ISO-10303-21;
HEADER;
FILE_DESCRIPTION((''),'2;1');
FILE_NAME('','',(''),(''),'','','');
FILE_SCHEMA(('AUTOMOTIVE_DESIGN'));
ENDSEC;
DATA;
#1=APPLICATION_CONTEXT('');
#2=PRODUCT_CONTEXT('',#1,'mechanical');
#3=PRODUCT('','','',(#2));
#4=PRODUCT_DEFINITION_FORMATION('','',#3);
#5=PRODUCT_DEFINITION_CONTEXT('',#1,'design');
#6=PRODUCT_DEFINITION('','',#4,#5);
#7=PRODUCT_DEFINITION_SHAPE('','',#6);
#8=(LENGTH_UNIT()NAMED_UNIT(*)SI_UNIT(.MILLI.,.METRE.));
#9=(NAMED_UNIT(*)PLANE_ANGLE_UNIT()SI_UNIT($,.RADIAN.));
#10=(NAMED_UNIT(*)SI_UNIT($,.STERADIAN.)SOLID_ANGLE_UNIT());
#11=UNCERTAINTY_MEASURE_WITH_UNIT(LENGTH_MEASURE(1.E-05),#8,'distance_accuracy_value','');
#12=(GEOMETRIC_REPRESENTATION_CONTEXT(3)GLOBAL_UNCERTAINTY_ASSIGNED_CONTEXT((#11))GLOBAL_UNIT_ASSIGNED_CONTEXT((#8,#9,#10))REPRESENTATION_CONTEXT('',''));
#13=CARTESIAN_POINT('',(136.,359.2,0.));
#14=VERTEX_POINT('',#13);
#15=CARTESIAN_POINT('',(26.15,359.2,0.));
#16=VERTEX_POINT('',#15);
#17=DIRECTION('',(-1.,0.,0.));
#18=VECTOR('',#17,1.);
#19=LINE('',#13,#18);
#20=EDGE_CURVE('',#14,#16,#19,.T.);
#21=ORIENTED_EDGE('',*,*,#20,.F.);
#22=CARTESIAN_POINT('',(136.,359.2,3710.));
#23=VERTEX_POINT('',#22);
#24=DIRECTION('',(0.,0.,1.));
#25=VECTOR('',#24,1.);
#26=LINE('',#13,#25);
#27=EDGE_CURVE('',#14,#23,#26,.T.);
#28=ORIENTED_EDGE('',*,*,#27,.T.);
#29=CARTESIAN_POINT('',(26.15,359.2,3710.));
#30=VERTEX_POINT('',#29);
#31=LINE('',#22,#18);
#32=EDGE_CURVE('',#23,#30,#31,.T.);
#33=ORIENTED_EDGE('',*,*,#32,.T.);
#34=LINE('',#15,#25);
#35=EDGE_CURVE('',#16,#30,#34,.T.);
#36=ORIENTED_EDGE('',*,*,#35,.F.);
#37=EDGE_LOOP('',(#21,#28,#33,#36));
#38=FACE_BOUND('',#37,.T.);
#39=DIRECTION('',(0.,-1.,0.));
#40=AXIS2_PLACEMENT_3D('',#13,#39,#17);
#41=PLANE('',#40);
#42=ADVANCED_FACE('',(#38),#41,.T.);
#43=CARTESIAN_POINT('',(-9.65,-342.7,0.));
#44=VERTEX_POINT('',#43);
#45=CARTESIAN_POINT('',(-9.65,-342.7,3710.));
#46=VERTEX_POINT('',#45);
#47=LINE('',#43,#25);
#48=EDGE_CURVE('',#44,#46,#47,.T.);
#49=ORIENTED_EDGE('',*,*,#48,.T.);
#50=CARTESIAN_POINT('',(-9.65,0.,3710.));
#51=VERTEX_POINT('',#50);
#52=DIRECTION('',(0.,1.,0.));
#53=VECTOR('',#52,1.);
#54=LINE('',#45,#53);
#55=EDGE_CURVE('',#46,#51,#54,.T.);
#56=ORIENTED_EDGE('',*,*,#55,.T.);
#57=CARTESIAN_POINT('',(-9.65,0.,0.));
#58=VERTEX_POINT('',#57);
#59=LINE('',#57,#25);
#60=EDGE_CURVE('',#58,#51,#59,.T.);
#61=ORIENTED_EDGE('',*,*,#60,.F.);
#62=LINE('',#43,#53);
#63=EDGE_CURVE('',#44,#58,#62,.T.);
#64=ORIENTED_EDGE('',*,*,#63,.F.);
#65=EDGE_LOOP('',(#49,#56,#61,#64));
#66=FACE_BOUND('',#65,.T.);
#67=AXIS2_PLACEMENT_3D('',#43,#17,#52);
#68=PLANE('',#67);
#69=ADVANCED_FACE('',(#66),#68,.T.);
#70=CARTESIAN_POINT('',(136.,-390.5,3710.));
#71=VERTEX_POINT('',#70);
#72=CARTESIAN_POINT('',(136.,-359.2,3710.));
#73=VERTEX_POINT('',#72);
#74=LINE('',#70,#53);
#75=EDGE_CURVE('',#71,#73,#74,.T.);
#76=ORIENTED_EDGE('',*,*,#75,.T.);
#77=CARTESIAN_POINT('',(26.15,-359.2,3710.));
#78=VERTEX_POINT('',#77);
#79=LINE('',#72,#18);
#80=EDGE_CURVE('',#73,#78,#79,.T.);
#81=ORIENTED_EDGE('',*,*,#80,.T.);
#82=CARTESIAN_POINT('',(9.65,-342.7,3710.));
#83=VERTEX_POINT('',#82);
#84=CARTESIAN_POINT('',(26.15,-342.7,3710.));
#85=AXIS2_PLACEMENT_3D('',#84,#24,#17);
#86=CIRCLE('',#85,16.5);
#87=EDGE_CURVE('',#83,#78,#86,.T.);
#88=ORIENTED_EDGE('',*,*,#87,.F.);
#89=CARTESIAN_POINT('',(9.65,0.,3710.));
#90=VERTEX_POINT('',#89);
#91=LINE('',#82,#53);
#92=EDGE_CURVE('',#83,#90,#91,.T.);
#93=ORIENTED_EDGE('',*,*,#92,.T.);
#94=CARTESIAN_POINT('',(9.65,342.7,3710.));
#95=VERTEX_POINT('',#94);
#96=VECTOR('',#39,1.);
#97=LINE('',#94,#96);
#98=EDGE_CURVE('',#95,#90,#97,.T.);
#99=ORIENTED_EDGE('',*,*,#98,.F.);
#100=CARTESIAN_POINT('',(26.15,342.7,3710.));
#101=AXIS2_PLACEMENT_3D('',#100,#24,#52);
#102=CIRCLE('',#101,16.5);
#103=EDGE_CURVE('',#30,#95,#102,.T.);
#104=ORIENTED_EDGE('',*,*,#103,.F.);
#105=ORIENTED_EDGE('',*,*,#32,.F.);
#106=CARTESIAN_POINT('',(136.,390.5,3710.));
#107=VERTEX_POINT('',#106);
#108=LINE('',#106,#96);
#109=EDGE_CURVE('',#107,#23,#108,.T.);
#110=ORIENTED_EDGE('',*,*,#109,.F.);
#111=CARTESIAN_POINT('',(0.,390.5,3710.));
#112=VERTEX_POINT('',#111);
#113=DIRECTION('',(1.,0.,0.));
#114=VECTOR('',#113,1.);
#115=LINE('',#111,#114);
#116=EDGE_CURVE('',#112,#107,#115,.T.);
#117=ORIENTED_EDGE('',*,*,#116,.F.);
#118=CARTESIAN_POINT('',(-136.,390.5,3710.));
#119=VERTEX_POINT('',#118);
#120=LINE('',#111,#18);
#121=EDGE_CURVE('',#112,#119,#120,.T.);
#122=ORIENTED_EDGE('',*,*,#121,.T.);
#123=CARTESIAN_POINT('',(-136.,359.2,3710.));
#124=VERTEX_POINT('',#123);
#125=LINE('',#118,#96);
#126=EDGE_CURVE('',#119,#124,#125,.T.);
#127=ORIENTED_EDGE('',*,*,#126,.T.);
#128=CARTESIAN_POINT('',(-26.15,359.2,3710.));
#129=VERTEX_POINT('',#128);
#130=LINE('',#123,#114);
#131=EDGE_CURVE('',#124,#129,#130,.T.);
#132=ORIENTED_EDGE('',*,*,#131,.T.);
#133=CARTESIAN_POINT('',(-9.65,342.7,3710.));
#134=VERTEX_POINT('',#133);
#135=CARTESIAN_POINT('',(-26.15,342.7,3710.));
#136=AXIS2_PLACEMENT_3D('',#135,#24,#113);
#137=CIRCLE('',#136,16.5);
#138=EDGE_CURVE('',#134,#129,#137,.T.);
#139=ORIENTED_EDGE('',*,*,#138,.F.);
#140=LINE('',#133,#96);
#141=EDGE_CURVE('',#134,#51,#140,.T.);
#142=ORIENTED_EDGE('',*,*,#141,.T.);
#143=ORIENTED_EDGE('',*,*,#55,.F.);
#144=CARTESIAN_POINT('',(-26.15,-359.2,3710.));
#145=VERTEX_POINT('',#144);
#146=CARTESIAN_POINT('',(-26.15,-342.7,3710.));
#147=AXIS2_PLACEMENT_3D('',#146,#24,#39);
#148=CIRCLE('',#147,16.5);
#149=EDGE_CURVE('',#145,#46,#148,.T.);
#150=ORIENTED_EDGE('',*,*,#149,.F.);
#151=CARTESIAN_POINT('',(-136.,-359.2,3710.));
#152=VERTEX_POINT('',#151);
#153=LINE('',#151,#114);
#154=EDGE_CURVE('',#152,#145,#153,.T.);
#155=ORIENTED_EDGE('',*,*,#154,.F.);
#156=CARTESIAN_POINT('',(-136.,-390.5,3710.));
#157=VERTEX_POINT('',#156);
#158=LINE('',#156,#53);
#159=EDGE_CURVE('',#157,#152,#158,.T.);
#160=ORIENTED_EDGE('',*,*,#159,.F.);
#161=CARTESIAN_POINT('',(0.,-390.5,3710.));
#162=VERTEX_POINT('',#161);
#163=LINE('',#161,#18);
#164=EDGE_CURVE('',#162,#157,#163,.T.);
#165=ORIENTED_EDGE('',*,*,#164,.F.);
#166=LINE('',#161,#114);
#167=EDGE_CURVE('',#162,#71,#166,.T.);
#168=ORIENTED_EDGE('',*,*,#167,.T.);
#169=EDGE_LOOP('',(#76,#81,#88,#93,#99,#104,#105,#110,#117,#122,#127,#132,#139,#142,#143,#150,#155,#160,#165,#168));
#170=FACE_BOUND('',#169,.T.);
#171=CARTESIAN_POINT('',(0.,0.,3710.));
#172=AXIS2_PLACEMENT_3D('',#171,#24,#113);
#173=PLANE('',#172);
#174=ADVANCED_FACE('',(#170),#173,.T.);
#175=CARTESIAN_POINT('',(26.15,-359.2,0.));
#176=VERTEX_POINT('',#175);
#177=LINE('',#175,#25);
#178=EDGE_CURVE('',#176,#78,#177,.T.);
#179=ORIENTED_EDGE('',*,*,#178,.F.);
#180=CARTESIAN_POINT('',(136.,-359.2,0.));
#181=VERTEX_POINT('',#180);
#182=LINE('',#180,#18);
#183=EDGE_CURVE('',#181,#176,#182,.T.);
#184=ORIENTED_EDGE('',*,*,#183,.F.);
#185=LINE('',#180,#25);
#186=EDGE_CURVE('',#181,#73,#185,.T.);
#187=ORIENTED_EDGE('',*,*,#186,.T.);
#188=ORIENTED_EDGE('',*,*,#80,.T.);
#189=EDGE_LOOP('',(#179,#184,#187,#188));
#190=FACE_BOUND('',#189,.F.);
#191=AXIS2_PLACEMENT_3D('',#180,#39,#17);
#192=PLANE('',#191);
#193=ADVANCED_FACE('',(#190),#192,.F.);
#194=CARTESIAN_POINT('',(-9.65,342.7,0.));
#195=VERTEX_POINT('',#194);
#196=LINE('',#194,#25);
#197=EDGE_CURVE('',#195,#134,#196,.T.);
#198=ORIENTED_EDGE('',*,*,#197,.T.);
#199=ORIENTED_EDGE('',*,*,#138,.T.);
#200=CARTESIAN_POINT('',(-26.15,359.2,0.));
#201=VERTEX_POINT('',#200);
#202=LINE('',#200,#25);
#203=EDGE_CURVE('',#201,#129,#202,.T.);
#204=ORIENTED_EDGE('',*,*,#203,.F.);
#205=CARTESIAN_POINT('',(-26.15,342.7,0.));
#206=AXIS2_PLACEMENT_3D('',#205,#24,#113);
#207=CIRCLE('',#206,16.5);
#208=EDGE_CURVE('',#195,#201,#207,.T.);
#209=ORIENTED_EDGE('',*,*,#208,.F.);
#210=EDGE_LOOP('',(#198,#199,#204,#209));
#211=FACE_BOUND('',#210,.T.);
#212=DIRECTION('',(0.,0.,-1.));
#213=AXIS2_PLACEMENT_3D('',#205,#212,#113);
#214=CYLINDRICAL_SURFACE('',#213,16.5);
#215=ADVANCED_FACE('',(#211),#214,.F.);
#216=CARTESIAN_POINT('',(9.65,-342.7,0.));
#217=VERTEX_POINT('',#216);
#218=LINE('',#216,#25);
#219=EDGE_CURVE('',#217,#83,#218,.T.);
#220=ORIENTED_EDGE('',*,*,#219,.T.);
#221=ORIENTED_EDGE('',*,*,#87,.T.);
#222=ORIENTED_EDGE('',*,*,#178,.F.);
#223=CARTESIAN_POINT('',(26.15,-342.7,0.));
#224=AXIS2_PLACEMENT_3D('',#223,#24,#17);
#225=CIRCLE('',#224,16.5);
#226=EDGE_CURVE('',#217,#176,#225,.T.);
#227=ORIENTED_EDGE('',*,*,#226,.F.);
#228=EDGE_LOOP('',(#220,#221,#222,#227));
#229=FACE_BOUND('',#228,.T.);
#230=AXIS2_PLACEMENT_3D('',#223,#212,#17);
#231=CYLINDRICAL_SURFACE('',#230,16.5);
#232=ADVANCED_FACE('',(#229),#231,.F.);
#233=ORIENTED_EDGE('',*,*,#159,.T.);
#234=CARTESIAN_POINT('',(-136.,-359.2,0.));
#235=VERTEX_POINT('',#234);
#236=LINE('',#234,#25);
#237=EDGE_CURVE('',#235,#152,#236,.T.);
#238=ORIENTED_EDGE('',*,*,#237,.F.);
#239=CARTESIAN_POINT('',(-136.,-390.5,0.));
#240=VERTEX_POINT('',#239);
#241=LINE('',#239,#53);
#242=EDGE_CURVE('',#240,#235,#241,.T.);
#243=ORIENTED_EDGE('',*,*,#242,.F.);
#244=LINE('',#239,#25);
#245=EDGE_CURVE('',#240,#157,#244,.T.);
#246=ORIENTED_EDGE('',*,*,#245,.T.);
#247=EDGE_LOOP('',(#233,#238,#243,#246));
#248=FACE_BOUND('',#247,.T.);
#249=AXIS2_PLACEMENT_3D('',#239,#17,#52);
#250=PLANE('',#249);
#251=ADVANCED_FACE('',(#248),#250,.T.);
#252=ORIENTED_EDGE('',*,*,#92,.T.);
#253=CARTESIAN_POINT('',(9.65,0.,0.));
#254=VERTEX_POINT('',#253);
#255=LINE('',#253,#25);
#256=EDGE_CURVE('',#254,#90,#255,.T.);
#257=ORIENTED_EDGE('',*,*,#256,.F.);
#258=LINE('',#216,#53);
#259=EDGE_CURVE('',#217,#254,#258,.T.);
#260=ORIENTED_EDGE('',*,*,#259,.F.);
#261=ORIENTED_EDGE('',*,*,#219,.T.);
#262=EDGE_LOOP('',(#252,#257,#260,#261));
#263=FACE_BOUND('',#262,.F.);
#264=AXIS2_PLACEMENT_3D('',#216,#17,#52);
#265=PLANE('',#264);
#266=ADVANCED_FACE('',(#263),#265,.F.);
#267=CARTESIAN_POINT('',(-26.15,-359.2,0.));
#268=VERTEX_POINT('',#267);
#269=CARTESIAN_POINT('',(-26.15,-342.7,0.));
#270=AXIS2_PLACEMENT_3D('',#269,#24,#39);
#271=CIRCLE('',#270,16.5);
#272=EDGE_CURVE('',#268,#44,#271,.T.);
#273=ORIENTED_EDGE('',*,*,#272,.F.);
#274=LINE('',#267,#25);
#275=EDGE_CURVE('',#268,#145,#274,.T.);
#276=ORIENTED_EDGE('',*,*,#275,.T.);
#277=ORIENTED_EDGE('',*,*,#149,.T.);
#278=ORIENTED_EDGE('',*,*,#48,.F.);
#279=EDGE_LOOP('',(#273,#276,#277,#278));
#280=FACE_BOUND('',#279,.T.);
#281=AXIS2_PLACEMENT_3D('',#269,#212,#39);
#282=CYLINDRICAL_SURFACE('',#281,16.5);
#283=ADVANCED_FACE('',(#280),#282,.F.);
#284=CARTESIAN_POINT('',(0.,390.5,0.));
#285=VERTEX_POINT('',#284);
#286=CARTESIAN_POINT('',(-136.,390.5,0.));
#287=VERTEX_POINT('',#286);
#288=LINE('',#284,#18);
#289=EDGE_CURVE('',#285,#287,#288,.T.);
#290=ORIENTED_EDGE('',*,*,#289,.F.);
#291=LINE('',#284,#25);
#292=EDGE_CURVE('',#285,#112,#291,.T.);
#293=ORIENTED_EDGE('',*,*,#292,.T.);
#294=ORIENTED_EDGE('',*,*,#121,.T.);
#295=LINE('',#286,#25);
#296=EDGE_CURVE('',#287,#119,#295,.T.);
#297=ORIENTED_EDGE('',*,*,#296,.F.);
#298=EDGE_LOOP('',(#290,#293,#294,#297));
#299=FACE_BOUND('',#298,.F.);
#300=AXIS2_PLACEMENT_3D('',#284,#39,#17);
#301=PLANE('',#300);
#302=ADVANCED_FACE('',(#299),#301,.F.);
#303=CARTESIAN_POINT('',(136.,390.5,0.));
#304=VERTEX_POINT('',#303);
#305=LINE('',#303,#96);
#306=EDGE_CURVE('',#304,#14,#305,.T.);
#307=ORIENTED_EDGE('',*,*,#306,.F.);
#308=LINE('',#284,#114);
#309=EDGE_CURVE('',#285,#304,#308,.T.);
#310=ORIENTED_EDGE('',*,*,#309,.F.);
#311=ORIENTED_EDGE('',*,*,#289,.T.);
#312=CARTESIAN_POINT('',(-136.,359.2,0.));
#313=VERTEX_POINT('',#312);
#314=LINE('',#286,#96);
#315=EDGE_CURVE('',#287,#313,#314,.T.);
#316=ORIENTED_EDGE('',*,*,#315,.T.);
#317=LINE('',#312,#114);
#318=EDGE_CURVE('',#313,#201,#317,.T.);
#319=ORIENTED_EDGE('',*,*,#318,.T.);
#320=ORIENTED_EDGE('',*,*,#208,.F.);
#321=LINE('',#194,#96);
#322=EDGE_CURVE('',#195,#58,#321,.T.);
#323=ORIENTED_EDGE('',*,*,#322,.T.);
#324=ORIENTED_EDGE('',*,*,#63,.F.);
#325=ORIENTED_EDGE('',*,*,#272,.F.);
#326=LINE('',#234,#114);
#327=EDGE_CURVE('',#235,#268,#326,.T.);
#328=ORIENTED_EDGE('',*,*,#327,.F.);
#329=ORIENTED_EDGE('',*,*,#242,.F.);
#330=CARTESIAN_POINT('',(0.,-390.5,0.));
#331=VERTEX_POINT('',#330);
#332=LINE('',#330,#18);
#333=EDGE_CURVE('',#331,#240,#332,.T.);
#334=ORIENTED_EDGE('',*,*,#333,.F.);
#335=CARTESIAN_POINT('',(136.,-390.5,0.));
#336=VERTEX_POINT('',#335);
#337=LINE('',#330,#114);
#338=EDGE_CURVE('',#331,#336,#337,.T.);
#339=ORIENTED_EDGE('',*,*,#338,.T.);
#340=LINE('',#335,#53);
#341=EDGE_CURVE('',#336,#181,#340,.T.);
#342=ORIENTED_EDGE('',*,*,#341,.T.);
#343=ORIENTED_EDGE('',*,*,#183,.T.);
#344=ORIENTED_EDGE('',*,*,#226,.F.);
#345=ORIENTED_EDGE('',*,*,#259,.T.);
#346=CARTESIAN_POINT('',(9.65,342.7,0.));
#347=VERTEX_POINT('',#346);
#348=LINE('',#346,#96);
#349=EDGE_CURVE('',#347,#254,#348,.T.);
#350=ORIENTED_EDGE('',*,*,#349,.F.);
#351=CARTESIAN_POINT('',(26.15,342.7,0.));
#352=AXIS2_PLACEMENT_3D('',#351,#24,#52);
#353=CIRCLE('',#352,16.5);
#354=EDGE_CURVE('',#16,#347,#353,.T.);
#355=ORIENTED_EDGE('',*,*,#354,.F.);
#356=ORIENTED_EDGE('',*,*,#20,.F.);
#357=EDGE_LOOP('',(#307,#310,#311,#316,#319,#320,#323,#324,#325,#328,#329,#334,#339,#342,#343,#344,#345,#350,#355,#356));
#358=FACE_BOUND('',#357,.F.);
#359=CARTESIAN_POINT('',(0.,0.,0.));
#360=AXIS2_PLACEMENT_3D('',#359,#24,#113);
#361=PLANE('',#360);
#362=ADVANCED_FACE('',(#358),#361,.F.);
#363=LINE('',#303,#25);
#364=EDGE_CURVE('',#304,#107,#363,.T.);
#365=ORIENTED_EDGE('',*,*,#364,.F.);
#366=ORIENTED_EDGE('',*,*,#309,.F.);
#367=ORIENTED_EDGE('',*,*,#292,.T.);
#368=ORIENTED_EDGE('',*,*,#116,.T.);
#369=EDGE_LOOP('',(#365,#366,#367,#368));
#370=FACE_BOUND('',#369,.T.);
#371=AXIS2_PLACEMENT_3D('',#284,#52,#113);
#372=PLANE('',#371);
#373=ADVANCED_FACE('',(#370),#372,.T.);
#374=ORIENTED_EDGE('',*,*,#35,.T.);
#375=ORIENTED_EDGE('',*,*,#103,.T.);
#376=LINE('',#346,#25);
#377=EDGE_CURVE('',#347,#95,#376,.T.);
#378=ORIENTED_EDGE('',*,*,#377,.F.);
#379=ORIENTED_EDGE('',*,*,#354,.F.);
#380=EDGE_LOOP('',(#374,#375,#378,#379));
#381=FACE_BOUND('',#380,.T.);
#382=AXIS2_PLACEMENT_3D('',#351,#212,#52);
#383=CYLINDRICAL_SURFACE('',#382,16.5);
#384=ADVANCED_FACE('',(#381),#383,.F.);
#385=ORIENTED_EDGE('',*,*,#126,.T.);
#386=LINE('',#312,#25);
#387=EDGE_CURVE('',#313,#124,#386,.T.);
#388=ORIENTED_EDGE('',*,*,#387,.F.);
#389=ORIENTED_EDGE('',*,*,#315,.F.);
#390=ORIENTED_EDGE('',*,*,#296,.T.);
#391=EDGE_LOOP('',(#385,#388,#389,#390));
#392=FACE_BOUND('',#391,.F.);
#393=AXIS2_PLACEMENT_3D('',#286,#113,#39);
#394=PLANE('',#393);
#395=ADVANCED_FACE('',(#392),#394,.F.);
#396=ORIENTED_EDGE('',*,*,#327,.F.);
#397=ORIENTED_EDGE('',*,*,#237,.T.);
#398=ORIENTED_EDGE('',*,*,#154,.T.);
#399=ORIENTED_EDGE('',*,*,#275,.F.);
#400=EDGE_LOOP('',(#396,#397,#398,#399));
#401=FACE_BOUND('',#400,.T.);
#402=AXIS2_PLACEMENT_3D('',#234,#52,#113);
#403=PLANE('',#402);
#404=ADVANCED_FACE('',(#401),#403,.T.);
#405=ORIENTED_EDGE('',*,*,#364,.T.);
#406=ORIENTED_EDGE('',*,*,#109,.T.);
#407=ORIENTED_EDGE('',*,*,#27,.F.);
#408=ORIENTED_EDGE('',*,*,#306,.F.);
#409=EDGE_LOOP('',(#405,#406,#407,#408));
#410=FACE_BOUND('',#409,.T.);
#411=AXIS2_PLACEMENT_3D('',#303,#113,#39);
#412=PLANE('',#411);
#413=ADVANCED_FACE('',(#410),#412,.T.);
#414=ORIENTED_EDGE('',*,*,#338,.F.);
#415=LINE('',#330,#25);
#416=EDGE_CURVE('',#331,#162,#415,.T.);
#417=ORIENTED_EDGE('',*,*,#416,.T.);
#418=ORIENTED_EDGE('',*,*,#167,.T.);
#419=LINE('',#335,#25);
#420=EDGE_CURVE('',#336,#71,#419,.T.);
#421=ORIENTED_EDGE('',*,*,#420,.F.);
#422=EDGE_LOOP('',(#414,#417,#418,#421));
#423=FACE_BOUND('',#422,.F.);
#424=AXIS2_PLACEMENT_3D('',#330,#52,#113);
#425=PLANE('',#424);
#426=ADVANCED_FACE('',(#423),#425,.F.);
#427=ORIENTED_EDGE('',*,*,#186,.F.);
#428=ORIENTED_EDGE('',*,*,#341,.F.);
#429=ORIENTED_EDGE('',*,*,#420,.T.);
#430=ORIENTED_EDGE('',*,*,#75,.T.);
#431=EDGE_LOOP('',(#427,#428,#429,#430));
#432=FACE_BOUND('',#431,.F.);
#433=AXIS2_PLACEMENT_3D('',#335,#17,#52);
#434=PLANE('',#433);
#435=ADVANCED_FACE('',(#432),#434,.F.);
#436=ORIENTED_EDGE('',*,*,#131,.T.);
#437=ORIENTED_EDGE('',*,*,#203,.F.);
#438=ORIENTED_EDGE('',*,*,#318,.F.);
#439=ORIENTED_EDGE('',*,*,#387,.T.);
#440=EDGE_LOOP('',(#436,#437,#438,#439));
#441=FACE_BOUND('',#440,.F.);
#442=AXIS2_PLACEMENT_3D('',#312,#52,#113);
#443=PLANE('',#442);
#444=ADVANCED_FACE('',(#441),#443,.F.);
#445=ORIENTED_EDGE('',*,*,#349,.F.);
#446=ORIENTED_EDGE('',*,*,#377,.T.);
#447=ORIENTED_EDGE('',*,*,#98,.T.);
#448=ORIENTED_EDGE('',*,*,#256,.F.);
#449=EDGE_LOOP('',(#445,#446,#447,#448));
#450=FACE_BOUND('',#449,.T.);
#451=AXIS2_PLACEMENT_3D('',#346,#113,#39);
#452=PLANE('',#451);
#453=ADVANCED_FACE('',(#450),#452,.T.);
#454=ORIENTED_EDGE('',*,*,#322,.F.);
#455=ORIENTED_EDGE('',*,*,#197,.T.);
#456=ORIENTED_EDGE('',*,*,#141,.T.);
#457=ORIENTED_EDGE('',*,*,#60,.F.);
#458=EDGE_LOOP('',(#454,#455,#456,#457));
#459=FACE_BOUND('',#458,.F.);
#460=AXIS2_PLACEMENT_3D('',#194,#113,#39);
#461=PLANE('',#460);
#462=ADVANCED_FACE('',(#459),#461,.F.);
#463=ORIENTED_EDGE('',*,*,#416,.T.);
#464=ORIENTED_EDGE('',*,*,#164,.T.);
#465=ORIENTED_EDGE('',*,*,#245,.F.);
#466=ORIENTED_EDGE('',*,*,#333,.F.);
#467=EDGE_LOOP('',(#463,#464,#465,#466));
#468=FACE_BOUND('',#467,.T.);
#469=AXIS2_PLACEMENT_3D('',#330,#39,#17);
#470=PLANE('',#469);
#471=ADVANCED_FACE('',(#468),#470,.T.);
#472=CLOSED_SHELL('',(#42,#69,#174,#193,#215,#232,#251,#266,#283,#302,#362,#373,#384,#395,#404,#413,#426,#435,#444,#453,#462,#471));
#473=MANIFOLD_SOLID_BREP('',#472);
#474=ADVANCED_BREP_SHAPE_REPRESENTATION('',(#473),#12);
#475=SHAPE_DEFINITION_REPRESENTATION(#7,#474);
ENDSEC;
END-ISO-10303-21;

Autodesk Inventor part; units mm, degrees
ref_plane "YZ Plane" through (0, 0, 0) normal (1, 0, 0) x (0, 1, 0)
ref_plane "Start plane" through (0, 0, 0) normal (0, 0, 1) x (1, 0, 0)
ref_plane "End plane" through (0, 0, 3710) normal (0, 0, 1) x (1, 0, 0)
sketch "Sketch" plane through (0, 0, 0) normal (0, 0, 1) x (1, 0, 0)
  line L0 (-136, -390.5) -> (-136, -359.2)
  line L1 (-136, -359.2) -> (-26.15, -359.2)
  line L2 (-9.65, -342.7) -> (-9.65, 0)
  line L3 (-9.65, 0) -> (0, 0) construction
  line L4 (0, 0) -> (0, -390.5) construction
  line L5 (0, -390.5) -> (-136, -390.5)
  line L6 (-60, 0) -> (80, 0) construction
  line L7 (0, -60) -> (0, 80) construction
  line L8 (136, -390.5) -> (136, -359.2)
  line L9 (136, -359.2) -> (26.15, -359.2)
  line L10 (9.65, -342.7) -> (9.65, 0)
  line L11 (9.65, 0) -> (0, 0) construction
  line L12 (0, -390.5) -> (136, -390.5)
  line L13 (-136, 390.5) -> (-136, 359.2)
  line L14 (-136, 359.2) -> (-26.15, 359.2)
  line L15 (-9.65, 342.7) -> (-9.65, 0)
  line L16 (0, 390.5) -> (-136, 390.5)
  line L17 (136, 390.5) -> (136, 359.2)
  line L18 (136, 359.2) -> (26.15, 359.2)
  line L19 (0, 390.5) -> (136, 390.5)
  line L20 (9.65, 342.7) -> (9.65, 0)
  arc A0 (-9.65, 342.7) -> (-26.15, 359.2) centre (-26.15, 342.7) ccw
  arc A1 (26.15, 359.2) -> (9.65, 342.7) centre (26.15, 342.7) ccw
  arc A2 (9.65, -342.7) -> (26.15, -359.2) centre (26.15, -342.7) ccw
  arc A3 (-26.15, -359.2) -> (-9.65, -342.7) centre (-26.15, -342.7) ccw
  line L21 (0, 108) -> (0, -88) construction
  line L22 (-88, 0) -> (108, 0) construction
  point P0 (-9.65, -359.2)
  point P1 (9.65, -359.2)
  point P2 (-9.65, 359.2)
  point P3 (9.65, 359.2)
  dimension "d1" = 390.5
  dimension "d2" = 31.3
  dimension "d3" = 136
  dimension "d4" = 9.65
  dimension "d10" = 16.5
extrude "Body" add sketch "Sketch" along normal up to surface (3710 mm away) from surface at 0
sketch "Sketch4" plane through (0, 0, 0) normal (0, 0, 1) x (1, 0, 0)
  line L0 (0, 0) -> (10, 0)
ref_plane "Work Plane3" through (0, 0, 0) normal (0, -1, 0) x (1, 0, 0)
sketch "Sketch5" plane through (0, 0, 0) normal (0, -1, 0) x (1, 0, 0)
  line L0 (-2, 0) -> (12, 0) projected
  line L1 (-2, 3710) -> (12, 3710) projected
  dimension "d14" = 3710
equation "\"d1\" = 0.5 * G_H"
equation "\"d2\" = G_T1"
equation "\"d3\" = 0.5 * G_W"
equation "\"d4\" = 0.5 * G_T"
equation "\"d10\" = G_IR"
equation "\"d5\" = G_L"
equation "\"G_W\" = 272"
equation "\"G_H\" = 781"
equation "\"G_T\" = 19.3"
equation "\"G_T1\" = 31.3"
equation "\"G_IR\" = 16.5"
equation "\"G_L\" = d14"
equation "\"G_OFFSET_START\" = 0"
equation "\"G_OFFSET_END\" = 0"
properties part number "AS 3679-1990 - 760 UB - 244 - 3710" material "Steel, Mild"
